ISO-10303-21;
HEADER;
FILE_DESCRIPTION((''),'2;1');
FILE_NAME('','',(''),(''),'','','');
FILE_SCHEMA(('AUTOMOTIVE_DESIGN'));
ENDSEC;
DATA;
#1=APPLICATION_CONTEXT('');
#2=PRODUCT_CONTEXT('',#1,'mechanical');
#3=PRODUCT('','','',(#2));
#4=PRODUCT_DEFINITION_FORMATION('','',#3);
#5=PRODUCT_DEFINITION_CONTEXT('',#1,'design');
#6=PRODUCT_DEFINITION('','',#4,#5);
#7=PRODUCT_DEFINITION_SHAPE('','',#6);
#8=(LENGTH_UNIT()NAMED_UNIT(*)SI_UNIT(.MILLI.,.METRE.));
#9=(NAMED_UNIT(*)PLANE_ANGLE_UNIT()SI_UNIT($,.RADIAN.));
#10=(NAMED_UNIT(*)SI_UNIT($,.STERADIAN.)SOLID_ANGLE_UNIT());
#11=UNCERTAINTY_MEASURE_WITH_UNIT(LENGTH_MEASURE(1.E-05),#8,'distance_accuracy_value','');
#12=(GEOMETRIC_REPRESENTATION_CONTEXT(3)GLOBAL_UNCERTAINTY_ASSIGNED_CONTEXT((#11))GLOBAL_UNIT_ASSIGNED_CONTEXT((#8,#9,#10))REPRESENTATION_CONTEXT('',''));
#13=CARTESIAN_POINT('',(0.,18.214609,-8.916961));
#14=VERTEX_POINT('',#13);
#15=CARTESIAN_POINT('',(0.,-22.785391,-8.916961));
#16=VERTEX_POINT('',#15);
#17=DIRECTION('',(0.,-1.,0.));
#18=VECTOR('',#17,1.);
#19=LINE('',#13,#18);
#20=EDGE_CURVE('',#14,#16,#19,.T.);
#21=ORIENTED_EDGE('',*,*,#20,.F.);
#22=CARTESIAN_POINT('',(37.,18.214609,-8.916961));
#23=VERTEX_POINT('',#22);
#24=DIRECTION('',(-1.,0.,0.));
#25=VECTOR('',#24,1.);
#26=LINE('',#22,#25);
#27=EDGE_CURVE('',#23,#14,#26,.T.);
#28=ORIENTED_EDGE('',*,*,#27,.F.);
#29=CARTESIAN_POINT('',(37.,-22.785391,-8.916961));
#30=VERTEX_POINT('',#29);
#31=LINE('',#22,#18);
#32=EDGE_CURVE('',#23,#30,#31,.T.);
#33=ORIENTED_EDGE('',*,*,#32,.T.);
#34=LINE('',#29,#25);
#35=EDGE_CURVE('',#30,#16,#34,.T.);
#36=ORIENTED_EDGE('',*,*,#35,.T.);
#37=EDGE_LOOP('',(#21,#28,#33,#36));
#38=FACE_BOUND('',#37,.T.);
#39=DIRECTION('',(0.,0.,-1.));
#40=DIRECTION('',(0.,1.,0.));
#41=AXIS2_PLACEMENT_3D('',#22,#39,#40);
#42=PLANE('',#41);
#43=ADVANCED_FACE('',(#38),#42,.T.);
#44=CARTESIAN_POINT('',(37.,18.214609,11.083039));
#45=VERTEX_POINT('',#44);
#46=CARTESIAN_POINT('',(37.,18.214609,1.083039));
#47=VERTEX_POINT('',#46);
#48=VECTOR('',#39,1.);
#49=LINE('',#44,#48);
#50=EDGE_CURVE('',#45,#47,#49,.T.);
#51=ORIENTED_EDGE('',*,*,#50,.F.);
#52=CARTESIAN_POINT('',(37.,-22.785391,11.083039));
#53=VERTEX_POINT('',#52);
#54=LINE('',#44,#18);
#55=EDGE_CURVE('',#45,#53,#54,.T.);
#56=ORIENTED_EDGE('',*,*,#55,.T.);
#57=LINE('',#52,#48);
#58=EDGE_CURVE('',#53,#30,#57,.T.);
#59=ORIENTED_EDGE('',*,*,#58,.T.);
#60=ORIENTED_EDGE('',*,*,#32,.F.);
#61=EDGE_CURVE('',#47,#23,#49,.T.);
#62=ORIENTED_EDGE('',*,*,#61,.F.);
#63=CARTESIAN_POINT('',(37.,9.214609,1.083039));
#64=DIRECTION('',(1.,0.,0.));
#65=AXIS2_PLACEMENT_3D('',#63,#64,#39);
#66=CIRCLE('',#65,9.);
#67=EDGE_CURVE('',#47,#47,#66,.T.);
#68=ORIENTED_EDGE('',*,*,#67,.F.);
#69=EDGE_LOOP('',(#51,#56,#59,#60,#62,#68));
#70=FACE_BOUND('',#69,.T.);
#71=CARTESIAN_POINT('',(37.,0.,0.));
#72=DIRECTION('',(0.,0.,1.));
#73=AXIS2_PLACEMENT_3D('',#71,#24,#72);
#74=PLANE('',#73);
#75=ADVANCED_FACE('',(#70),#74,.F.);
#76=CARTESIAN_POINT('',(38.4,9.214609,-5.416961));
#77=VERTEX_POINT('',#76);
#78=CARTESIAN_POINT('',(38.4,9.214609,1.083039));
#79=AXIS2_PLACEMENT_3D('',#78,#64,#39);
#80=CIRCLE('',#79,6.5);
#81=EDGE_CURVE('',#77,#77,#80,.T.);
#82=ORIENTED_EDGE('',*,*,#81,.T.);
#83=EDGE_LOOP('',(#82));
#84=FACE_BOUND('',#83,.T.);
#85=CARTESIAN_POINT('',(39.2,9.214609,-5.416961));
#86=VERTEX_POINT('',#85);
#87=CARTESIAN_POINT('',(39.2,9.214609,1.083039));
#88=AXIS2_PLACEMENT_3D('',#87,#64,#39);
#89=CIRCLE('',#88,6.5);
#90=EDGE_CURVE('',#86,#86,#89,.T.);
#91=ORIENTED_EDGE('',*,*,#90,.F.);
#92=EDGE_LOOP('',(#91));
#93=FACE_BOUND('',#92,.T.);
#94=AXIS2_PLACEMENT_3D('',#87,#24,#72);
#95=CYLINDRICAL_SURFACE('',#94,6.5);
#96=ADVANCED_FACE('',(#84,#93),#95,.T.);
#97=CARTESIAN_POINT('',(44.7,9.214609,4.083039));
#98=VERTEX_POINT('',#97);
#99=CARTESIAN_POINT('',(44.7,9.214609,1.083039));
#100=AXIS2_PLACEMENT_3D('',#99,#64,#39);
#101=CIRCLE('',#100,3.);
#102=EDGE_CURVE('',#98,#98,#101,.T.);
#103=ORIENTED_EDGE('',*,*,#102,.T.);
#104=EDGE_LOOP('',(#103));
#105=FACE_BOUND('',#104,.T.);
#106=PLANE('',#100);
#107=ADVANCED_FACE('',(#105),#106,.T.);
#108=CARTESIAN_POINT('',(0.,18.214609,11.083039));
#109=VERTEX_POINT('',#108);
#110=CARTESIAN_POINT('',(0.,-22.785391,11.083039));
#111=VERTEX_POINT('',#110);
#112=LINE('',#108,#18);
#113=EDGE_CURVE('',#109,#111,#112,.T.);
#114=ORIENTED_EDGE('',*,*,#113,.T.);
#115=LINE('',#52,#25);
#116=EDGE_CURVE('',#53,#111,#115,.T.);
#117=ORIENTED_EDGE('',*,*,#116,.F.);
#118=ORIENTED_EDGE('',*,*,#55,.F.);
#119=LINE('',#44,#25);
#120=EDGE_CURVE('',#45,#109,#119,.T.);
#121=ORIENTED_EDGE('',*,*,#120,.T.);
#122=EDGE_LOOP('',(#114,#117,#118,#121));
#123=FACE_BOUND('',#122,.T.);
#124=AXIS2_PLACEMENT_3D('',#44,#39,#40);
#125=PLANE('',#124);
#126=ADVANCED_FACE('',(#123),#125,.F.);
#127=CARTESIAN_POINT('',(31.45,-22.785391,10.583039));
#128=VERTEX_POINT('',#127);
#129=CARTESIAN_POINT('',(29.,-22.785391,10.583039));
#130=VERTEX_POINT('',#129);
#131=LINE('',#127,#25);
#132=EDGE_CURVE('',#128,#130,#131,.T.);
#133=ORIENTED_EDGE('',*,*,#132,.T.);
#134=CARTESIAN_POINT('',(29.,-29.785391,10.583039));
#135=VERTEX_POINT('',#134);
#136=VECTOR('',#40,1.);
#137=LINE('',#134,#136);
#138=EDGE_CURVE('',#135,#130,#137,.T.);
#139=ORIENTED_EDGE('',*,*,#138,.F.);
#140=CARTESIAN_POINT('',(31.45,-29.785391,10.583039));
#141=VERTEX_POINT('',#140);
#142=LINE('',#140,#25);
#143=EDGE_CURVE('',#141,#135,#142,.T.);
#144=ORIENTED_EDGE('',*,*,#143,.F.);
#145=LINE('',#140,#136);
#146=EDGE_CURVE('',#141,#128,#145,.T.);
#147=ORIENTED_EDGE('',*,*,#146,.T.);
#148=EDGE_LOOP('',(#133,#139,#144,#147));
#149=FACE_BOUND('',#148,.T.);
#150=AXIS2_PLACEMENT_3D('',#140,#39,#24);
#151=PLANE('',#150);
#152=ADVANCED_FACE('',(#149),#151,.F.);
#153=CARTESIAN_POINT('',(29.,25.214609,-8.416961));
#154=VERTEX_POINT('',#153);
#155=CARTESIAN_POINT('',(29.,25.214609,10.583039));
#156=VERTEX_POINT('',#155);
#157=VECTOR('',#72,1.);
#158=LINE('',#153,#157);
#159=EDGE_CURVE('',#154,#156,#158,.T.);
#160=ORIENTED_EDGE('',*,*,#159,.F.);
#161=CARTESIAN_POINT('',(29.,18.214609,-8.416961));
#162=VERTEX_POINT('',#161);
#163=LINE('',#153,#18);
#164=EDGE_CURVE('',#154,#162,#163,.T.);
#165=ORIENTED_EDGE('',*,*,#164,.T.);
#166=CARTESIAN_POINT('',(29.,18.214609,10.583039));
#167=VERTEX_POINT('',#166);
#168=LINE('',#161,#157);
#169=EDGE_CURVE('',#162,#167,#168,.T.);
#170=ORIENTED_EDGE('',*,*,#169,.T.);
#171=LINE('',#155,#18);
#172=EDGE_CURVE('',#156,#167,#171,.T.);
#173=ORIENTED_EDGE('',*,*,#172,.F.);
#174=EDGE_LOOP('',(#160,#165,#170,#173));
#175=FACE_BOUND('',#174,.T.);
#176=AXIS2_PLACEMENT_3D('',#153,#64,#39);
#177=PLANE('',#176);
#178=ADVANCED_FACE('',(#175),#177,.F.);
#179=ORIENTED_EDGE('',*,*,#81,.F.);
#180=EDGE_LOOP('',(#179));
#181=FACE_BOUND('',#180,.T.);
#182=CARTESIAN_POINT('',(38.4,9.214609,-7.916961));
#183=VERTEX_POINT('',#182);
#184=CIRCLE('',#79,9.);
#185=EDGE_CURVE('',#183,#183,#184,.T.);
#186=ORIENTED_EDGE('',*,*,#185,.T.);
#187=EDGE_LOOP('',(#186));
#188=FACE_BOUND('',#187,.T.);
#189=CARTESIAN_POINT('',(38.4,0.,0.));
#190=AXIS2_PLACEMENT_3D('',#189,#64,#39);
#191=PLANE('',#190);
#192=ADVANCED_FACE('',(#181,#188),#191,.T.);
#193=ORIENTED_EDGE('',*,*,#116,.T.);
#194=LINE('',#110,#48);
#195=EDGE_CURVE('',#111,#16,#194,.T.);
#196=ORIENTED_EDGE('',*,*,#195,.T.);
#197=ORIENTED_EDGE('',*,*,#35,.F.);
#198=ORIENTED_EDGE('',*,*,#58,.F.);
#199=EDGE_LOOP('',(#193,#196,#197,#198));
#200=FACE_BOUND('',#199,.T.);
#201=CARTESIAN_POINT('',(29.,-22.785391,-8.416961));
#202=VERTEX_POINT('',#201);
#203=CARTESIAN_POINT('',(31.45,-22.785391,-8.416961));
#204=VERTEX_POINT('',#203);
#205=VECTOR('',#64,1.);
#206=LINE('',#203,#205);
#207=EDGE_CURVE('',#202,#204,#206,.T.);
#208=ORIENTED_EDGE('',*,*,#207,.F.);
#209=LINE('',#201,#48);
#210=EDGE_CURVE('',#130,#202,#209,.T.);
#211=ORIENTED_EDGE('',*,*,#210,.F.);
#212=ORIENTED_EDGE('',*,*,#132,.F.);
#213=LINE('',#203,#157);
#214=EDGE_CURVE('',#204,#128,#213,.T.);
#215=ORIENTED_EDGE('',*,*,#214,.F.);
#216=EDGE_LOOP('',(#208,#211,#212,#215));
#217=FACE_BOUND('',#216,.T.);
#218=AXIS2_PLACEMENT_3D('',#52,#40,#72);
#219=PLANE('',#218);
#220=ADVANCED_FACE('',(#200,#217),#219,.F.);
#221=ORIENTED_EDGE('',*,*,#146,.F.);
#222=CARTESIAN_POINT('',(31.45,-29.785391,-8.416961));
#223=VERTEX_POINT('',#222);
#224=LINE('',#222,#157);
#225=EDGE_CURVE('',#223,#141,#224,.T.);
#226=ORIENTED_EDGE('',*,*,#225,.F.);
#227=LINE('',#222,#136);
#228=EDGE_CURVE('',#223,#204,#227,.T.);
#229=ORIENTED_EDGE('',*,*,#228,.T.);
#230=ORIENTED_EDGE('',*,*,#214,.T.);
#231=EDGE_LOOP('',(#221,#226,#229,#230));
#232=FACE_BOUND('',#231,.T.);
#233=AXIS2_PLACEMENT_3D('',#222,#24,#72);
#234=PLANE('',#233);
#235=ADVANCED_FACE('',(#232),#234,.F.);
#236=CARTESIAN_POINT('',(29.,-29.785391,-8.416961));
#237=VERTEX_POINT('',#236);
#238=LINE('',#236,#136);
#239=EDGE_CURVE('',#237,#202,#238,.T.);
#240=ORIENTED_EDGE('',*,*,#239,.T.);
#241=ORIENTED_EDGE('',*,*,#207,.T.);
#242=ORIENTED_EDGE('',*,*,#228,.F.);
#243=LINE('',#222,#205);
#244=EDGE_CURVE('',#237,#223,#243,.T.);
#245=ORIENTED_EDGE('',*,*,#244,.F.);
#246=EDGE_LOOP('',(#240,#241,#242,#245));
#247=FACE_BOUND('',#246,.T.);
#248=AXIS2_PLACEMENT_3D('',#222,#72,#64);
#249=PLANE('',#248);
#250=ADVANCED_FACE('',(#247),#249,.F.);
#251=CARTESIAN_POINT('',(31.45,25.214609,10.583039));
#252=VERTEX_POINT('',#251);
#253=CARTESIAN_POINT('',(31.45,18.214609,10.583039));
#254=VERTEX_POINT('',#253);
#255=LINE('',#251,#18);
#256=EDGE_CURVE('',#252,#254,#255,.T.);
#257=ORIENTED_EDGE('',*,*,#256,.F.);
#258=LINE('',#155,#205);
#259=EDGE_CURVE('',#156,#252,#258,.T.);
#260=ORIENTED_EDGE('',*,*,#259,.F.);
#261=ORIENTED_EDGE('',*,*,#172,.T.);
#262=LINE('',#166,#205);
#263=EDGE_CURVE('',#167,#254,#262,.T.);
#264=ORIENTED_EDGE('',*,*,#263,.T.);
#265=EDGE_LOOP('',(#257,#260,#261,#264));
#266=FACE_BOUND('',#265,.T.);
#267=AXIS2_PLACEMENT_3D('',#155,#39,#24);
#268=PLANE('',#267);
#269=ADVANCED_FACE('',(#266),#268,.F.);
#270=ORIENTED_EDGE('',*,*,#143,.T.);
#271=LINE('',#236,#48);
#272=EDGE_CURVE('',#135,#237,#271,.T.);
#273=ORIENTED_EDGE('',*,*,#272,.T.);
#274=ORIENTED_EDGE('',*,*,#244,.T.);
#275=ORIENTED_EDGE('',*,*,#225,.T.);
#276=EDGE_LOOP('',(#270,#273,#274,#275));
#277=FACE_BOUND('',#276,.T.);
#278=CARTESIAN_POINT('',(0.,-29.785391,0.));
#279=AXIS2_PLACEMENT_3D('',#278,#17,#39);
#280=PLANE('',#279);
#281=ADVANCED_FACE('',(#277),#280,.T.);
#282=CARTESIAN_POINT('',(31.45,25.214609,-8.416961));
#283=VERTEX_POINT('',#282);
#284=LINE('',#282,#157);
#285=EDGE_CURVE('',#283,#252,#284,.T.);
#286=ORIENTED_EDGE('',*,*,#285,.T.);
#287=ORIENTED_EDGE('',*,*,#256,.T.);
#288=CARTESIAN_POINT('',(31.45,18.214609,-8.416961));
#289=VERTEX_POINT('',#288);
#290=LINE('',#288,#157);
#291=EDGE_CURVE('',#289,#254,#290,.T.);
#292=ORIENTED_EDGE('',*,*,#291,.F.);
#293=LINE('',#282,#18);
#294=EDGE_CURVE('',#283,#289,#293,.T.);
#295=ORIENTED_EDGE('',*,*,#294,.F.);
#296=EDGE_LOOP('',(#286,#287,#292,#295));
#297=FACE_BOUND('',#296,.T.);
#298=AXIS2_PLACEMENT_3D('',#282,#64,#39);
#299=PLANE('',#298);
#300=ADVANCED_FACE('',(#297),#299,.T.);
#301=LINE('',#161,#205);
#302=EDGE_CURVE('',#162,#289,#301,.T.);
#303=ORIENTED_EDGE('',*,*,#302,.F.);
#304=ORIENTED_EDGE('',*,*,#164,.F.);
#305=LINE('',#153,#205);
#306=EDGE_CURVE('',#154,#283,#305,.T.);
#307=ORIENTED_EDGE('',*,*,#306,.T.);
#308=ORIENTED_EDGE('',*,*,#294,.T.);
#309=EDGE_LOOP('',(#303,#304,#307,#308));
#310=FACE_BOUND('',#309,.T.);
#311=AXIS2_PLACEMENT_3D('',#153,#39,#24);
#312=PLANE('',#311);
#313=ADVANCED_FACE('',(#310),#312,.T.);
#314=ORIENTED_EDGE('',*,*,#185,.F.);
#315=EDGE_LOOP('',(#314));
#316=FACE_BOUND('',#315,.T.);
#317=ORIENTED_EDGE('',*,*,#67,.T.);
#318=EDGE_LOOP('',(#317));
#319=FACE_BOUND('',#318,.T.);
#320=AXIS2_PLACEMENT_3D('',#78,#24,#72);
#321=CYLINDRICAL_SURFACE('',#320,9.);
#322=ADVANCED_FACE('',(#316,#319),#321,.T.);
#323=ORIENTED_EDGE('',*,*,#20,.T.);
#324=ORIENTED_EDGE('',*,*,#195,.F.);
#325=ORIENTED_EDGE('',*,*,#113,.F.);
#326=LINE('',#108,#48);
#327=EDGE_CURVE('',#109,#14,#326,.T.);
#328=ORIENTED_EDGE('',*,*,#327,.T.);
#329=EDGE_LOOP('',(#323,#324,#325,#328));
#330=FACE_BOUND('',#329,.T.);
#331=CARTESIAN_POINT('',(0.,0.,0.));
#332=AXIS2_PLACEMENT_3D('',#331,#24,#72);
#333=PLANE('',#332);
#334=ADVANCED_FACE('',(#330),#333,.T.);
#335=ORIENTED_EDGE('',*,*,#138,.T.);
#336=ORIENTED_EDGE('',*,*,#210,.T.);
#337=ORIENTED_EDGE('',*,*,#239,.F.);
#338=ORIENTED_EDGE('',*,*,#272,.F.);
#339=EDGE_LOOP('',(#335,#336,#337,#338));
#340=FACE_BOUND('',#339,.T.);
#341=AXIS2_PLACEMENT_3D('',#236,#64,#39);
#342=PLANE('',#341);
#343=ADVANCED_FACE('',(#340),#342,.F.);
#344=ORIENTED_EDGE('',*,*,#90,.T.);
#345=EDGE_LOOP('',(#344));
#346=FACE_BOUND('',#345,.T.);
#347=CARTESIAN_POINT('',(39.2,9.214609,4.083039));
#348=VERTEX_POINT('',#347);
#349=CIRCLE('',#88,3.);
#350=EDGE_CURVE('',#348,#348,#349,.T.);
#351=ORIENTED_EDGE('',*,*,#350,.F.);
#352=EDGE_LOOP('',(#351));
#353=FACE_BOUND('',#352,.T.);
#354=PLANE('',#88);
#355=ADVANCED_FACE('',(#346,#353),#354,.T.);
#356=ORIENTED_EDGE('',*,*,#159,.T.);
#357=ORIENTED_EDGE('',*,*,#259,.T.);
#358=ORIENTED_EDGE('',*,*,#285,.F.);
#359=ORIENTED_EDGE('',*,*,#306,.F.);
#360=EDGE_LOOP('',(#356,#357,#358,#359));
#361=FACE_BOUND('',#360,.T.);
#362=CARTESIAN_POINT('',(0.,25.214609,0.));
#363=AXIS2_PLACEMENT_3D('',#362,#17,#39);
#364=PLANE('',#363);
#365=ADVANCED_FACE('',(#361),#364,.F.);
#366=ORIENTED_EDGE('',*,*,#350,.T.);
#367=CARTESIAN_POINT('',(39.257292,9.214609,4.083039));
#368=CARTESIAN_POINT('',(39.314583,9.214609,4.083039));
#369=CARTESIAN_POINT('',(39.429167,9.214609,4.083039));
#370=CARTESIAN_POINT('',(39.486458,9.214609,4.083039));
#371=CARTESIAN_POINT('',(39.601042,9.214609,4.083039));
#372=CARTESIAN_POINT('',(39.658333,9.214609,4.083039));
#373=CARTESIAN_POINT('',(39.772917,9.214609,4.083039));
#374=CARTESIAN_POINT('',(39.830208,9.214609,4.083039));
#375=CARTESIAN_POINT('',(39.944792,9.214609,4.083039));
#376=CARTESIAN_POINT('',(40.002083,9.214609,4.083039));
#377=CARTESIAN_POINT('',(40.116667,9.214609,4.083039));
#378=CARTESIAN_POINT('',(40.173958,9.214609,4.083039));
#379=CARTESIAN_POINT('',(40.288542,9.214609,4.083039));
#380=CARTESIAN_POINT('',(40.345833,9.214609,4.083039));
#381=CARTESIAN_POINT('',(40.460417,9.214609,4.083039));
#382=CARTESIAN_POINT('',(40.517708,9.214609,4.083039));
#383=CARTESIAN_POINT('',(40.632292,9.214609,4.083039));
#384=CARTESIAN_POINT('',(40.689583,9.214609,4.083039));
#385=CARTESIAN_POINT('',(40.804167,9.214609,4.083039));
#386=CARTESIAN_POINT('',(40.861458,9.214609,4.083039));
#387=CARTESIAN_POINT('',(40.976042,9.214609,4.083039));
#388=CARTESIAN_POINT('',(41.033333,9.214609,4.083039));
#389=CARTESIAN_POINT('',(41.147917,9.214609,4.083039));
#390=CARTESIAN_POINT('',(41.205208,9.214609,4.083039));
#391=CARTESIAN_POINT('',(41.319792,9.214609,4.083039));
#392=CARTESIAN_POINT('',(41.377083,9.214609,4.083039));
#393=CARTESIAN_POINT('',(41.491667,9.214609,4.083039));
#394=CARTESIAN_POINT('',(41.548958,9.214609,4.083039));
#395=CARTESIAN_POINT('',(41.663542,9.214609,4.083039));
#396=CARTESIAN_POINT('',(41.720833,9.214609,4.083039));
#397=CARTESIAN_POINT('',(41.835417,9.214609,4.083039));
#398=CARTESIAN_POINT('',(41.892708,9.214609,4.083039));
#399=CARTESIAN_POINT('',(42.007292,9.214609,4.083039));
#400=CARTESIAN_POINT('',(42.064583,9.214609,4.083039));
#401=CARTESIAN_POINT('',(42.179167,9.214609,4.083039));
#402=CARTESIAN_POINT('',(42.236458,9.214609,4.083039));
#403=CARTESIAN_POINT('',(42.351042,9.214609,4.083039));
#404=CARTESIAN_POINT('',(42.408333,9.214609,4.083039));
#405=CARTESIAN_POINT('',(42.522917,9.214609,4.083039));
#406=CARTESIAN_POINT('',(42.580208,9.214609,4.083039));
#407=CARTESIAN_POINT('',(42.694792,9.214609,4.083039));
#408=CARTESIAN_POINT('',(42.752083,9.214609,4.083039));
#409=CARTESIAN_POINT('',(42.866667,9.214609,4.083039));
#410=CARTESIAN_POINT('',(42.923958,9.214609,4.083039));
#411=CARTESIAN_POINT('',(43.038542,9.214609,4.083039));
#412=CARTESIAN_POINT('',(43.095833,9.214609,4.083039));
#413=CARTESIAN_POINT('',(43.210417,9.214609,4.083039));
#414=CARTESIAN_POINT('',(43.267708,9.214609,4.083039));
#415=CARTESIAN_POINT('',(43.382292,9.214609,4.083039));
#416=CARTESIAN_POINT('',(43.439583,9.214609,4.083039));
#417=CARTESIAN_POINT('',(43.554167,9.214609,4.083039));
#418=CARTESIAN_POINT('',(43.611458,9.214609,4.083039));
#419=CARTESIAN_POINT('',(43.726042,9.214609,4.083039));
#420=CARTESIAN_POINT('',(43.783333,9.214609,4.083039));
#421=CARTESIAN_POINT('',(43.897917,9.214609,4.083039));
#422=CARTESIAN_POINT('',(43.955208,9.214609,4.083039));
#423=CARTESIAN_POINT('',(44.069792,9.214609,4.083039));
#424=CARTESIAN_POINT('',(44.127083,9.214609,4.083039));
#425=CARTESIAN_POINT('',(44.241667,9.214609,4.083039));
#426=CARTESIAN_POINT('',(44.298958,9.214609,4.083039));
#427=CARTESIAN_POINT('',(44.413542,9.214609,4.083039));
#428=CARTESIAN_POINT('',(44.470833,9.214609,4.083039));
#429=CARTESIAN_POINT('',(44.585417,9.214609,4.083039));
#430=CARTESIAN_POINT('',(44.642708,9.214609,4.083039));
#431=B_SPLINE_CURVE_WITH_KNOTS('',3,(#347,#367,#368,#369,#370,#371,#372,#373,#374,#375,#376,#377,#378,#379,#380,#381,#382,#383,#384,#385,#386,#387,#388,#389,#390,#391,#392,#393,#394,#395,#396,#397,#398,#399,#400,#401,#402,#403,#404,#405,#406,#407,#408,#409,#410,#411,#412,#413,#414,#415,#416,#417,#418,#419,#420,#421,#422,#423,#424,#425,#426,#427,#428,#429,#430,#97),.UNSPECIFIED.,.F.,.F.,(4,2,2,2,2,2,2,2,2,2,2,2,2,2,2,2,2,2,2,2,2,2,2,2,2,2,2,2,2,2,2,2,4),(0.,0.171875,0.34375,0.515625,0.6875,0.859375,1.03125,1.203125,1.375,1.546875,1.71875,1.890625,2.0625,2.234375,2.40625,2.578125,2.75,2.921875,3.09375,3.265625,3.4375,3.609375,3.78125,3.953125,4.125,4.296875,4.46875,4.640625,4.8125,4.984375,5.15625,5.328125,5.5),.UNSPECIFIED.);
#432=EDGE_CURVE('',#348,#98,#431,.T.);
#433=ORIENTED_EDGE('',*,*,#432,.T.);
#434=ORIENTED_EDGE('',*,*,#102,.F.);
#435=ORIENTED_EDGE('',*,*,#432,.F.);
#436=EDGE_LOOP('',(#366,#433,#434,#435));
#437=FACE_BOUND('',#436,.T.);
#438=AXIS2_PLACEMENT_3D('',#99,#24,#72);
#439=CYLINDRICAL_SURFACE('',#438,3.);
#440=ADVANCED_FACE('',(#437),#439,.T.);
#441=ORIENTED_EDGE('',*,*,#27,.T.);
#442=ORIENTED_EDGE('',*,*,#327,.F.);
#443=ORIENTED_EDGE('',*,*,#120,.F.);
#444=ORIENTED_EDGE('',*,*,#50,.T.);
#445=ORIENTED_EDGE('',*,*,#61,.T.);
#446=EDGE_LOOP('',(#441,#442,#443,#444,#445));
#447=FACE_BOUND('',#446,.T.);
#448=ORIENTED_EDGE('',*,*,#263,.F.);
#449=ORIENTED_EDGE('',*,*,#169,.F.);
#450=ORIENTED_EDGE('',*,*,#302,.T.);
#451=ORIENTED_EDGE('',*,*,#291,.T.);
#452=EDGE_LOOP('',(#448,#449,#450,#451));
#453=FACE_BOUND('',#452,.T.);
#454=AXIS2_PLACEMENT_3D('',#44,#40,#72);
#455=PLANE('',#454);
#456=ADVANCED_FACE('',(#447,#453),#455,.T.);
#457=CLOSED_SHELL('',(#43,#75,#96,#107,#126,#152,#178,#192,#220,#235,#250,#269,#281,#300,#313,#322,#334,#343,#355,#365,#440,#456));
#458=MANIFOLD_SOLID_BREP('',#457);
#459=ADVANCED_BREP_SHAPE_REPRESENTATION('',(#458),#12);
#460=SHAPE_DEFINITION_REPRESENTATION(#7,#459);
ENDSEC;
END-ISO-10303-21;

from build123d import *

# Parameters (mm, degrees)
SKETCH_1_W      = 20
SKETCH_1_H      = 41
EXTRUDE_1_DEPTH = 37
SKETCH_2_W      = 2.45
SKETCH_2_H      = 19
EXTRUDE_2_DEPTH = 7
SKETCH_3_W      = 2.45
SKETCH_3_H      = 19
EXTRUDE_3_DEPTH = 7
SKETCH_4_R      = 3
EXTRUDE_4_DEPTH = 7.7
SKETCH_5_R      = 9
EXTRUDE_5_DEPTH = 1.4
SKETCH_7_R      = 6.5
EXTRUDE_6_DEPTH = 0.8


with BuildPart() as part:
    # 草圖1 → 填料-伸長1 (new body)
    with BuildSketch(Plane(origin=(0, 0, 0), x_dir=(0, 0, -1), z_dir=(1, 0, 0))):
        with Locations((-1.083039195, -2.285391089)):
            Rectangle(SKETCH_1_W, SKETCH_1_H)
    extrude(amount=EXTRUDE_1_DEPTH)

    # 草圖2 → 填料-伸長2 (add)
    with BuildSketch(Plane(origin=(0, 18.214608911, 0), x_dir=(1, 0, 0), z_dir=(0, 1, 0))):
        with Locations((30.225, -1.083039195)):
            Rectangle(SKETCH_2_W, SKETCH_2_H)
    extrude(amount=EXTRUDE_2_DEPTH)

    # 草圖3 → 填料-伸長3 (add)
    with BuildSketch(Plane.XZ.offset(22.785391089)):
        with Locations((30.225, 1.083039195)):
            Rectangle(SKETCH_3_W, SKETCH_3_H)
    extrude(amount=EXTRUDE_3_DEPTH)

    # 草圖4 → 填料-伸長4 (add)
    with BuildSketch(Plane(origin=(37, 0, 0), x_dir=(0, 0, -1), z_dir=(1, 0, 0))):
        with Locations(Location((-1.083039195, 9.214608911, 0), (0, 0, 180))):
            Circle(SKETCH_4_R)
    extrude(amount=EXTRUDE_4_DEPTH)

    # 草圖5 → 填料-伸長5 (add)
    with BuildSketch(Plane(origin=(37, 0, 0), x_dir=(0, 0, -1), z_dir=(1, 0, 0))):
        with Locations(Location((-1.083039195, 9.214608911, 0), (0, 0, 90))):
            Circle(SKETCH_5_R)
    extrude(amount=EXTRUDE_5_DEPTH)

    # 草圖7 → 填料-伸長6 (add)
    with BuildSketch(Plane(origin=(38.4, 0, 0), x_dir=(0, 0, -1), z_dir=(1, 0, 0))):
        with Locations((-1.083039195, 9.214608911)):
            Circle(SKETCH_7_R)
    extrude(amount=EXTRUDE_6_DEPTH)


solid = part.part
